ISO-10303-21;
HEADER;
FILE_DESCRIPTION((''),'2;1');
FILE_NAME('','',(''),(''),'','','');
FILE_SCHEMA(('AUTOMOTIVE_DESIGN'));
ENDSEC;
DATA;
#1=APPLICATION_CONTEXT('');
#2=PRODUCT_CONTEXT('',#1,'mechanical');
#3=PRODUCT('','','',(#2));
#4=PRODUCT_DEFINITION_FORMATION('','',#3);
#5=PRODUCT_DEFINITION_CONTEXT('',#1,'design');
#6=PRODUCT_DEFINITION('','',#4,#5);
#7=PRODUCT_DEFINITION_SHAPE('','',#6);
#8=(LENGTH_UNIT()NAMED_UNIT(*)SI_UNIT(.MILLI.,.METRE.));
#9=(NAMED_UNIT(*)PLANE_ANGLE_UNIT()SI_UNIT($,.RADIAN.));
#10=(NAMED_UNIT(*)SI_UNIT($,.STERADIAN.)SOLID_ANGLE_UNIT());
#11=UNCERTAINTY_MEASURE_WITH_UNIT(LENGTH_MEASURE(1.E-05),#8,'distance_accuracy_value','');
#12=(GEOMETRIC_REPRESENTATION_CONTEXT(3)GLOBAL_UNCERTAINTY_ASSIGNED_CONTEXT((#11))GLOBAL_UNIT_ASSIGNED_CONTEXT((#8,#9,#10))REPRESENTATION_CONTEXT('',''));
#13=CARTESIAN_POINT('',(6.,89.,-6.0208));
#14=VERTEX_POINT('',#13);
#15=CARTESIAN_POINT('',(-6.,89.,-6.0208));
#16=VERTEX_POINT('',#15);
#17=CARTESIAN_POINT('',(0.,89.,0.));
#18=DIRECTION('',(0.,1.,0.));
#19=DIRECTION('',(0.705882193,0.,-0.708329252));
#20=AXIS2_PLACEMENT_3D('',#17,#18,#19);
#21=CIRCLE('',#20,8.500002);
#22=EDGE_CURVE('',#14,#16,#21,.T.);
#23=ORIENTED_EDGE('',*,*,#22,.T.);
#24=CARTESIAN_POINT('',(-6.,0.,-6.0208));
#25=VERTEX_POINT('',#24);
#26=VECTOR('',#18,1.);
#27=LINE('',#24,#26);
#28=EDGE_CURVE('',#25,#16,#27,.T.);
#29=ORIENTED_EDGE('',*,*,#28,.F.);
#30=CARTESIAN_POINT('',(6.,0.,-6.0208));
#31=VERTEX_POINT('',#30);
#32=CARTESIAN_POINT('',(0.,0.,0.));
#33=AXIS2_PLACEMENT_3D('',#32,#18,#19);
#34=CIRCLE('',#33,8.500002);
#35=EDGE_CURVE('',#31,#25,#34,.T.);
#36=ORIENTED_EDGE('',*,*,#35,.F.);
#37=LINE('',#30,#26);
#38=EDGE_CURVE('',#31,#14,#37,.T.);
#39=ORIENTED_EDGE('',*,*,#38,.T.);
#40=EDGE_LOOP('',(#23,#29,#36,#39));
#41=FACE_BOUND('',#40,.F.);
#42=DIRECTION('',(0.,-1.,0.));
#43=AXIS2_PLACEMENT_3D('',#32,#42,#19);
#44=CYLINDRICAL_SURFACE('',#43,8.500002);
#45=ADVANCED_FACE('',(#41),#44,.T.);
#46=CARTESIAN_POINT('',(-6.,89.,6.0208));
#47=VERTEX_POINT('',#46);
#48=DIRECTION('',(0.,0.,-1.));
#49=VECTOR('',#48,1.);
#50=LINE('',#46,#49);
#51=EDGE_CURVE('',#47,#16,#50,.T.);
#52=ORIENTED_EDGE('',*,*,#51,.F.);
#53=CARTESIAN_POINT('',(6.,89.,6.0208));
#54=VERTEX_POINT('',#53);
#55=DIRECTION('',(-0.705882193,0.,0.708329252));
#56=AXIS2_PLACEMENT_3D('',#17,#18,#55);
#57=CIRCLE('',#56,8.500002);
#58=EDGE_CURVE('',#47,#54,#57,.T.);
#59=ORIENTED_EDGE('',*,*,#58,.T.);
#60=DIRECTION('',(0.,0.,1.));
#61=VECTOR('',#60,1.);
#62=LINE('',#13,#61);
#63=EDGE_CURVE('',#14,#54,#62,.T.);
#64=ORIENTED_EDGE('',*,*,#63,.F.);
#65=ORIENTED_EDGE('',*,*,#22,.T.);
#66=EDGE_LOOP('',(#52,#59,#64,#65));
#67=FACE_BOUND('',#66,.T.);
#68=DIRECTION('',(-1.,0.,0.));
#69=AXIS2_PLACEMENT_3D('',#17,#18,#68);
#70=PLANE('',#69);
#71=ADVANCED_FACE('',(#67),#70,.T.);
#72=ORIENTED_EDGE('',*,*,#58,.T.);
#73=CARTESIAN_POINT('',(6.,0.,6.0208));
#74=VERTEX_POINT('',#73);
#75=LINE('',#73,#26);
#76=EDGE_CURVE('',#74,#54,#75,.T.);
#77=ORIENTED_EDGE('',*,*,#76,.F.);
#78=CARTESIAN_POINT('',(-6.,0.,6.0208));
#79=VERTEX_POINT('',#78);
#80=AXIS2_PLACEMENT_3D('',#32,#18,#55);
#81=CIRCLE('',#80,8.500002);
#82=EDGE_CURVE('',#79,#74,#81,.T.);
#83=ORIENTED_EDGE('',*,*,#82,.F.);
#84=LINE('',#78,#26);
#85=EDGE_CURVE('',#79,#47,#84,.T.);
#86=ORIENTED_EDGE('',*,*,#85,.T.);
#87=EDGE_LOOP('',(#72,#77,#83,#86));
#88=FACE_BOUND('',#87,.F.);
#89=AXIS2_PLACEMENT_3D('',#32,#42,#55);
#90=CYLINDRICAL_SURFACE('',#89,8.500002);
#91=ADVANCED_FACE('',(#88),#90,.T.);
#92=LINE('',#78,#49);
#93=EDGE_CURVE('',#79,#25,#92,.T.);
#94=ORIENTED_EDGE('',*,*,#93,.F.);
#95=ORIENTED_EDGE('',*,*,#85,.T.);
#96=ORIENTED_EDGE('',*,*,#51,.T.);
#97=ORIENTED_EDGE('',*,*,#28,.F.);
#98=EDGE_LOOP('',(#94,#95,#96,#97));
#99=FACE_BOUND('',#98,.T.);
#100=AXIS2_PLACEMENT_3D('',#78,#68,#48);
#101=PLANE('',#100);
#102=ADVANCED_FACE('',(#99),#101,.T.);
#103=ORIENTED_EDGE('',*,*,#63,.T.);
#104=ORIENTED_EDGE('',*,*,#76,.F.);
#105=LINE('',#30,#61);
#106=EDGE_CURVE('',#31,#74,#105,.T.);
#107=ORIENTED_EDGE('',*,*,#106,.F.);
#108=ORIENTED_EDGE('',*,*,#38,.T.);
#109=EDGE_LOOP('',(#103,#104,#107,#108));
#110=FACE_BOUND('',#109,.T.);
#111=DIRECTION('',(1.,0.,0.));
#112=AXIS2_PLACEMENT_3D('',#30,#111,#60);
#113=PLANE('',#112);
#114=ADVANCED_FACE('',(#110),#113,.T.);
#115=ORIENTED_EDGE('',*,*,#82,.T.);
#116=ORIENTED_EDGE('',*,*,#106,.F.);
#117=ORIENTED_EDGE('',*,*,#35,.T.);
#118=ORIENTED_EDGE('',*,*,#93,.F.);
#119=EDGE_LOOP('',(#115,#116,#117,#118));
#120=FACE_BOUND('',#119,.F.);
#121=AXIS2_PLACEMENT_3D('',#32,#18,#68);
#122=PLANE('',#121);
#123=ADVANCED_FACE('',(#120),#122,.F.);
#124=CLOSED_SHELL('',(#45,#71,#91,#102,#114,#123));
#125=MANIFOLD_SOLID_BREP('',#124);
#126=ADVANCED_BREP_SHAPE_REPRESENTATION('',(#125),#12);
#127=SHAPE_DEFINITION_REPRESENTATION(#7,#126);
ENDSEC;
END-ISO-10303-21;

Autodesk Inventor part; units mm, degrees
ref_plane "YZ Plane" through (0, 0, 0) normal (1, 0, 0) x (0, 1, 0)
ref_plane "XZ Plane" through (0, 0, 0) normal (0, 1, 0) x (-1, 0, 0)
ref_plane "XY Plane" through (0, 0, 0) normal (0, 0, 1) x (1, 0, 0)
sketch "Эскиз1" plane through (0, 0, 0) normal (0, 1, 0) x (-1, 0, 0)
  line L0 (-6, -6.0208) -> (-6, 6.0208)
  arc A0 (-6, -6.0208) -> (6, -6.0208) centre (0, 0) ccw
  line L1 (6, 6.0208) -> (6, -6.0208)
  arc A1 (6, 6.0208) -> (-6, 6.0208) centre (0, 0) ccw
extrude "Выдавливание1" add sketch "Эскиз1" along normal blind 89
properties part number "joint_1_os"
